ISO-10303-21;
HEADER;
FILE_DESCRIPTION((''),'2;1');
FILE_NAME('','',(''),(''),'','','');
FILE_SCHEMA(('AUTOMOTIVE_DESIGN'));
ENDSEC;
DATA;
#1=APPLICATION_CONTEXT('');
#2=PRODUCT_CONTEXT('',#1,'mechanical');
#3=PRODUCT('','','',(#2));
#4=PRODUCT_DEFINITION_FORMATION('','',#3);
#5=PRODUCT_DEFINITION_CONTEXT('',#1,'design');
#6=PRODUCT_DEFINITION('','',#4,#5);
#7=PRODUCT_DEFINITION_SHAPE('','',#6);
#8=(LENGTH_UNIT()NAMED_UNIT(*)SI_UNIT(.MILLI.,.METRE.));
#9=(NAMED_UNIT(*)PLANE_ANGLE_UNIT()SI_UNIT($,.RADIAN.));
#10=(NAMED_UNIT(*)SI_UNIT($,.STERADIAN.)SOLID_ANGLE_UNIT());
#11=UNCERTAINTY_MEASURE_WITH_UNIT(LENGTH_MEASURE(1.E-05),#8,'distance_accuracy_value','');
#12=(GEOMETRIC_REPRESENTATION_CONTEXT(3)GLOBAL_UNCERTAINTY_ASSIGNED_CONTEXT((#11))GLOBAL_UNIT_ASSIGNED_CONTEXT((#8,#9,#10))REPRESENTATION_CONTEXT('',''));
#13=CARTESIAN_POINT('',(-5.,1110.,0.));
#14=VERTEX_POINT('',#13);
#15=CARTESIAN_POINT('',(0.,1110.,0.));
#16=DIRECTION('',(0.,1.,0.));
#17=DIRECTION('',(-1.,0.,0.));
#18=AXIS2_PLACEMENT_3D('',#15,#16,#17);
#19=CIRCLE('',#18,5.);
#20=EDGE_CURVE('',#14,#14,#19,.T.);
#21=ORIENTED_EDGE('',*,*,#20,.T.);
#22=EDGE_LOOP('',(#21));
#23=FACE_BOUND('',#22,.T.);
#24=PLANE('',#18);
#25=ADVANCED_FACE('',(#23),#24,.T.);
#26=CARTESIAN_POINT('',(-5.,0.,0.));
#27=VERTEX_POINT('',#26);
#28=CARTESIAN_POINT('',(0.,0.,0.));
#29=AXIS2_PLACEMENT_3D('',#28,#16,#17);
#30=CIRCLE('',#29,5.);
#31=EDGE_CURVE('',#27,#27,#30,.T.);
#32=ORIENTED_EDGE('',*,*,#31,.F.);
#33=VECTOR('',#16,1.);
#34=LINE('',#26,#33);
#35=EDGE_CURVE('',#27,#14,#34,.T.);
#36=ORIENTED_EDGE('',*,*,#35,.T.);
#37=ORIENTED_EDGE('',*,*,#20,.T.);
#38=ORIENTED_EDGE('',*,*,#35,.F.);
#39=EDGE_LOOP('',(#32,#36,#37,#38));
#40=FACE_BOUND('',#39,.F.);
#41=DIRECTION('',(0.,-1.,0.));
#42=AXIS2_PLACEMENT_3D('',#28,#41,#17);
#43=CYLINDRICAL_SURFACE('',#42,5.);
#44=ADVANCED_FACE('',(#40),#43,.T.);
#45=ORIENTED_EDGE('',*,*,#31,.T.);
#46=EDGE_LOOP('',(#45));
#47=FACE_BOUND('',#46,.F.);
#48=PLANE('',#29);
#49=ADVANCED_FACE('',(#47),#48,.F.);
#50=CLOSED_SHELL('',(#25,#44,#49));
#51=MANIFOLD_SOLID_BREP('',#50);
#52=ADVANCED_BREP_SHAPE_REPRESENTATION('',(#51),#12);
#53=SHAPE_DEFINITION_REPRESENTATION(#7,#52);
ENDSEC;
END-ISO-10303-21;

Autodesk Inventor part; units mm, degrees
ref_plane "YZ Plane" through (0, 0, 0) normal (1, 0, 0) x (0, 1, 0)
ref_plane "XZ Plane" through (0, 0, 0) normal (0, 1, 0) x (-1, 0, 0)
ref_plane "XY Plane" through (0, 0, 0) normal (0, 0, 1) x (1, 0, 0)
sketch "Sketch1" plane through (0, 0, 0) normal (0, 1, 0) x (-1, 0, 0)
  circle A0 centre (0, 0) radius 5
  dimension "d0" = 10
extrude "Extrusion1" add sketch "Sketch1" along normal blind 1110
properties part number "Loft Support" material "Nylon 6/6"
